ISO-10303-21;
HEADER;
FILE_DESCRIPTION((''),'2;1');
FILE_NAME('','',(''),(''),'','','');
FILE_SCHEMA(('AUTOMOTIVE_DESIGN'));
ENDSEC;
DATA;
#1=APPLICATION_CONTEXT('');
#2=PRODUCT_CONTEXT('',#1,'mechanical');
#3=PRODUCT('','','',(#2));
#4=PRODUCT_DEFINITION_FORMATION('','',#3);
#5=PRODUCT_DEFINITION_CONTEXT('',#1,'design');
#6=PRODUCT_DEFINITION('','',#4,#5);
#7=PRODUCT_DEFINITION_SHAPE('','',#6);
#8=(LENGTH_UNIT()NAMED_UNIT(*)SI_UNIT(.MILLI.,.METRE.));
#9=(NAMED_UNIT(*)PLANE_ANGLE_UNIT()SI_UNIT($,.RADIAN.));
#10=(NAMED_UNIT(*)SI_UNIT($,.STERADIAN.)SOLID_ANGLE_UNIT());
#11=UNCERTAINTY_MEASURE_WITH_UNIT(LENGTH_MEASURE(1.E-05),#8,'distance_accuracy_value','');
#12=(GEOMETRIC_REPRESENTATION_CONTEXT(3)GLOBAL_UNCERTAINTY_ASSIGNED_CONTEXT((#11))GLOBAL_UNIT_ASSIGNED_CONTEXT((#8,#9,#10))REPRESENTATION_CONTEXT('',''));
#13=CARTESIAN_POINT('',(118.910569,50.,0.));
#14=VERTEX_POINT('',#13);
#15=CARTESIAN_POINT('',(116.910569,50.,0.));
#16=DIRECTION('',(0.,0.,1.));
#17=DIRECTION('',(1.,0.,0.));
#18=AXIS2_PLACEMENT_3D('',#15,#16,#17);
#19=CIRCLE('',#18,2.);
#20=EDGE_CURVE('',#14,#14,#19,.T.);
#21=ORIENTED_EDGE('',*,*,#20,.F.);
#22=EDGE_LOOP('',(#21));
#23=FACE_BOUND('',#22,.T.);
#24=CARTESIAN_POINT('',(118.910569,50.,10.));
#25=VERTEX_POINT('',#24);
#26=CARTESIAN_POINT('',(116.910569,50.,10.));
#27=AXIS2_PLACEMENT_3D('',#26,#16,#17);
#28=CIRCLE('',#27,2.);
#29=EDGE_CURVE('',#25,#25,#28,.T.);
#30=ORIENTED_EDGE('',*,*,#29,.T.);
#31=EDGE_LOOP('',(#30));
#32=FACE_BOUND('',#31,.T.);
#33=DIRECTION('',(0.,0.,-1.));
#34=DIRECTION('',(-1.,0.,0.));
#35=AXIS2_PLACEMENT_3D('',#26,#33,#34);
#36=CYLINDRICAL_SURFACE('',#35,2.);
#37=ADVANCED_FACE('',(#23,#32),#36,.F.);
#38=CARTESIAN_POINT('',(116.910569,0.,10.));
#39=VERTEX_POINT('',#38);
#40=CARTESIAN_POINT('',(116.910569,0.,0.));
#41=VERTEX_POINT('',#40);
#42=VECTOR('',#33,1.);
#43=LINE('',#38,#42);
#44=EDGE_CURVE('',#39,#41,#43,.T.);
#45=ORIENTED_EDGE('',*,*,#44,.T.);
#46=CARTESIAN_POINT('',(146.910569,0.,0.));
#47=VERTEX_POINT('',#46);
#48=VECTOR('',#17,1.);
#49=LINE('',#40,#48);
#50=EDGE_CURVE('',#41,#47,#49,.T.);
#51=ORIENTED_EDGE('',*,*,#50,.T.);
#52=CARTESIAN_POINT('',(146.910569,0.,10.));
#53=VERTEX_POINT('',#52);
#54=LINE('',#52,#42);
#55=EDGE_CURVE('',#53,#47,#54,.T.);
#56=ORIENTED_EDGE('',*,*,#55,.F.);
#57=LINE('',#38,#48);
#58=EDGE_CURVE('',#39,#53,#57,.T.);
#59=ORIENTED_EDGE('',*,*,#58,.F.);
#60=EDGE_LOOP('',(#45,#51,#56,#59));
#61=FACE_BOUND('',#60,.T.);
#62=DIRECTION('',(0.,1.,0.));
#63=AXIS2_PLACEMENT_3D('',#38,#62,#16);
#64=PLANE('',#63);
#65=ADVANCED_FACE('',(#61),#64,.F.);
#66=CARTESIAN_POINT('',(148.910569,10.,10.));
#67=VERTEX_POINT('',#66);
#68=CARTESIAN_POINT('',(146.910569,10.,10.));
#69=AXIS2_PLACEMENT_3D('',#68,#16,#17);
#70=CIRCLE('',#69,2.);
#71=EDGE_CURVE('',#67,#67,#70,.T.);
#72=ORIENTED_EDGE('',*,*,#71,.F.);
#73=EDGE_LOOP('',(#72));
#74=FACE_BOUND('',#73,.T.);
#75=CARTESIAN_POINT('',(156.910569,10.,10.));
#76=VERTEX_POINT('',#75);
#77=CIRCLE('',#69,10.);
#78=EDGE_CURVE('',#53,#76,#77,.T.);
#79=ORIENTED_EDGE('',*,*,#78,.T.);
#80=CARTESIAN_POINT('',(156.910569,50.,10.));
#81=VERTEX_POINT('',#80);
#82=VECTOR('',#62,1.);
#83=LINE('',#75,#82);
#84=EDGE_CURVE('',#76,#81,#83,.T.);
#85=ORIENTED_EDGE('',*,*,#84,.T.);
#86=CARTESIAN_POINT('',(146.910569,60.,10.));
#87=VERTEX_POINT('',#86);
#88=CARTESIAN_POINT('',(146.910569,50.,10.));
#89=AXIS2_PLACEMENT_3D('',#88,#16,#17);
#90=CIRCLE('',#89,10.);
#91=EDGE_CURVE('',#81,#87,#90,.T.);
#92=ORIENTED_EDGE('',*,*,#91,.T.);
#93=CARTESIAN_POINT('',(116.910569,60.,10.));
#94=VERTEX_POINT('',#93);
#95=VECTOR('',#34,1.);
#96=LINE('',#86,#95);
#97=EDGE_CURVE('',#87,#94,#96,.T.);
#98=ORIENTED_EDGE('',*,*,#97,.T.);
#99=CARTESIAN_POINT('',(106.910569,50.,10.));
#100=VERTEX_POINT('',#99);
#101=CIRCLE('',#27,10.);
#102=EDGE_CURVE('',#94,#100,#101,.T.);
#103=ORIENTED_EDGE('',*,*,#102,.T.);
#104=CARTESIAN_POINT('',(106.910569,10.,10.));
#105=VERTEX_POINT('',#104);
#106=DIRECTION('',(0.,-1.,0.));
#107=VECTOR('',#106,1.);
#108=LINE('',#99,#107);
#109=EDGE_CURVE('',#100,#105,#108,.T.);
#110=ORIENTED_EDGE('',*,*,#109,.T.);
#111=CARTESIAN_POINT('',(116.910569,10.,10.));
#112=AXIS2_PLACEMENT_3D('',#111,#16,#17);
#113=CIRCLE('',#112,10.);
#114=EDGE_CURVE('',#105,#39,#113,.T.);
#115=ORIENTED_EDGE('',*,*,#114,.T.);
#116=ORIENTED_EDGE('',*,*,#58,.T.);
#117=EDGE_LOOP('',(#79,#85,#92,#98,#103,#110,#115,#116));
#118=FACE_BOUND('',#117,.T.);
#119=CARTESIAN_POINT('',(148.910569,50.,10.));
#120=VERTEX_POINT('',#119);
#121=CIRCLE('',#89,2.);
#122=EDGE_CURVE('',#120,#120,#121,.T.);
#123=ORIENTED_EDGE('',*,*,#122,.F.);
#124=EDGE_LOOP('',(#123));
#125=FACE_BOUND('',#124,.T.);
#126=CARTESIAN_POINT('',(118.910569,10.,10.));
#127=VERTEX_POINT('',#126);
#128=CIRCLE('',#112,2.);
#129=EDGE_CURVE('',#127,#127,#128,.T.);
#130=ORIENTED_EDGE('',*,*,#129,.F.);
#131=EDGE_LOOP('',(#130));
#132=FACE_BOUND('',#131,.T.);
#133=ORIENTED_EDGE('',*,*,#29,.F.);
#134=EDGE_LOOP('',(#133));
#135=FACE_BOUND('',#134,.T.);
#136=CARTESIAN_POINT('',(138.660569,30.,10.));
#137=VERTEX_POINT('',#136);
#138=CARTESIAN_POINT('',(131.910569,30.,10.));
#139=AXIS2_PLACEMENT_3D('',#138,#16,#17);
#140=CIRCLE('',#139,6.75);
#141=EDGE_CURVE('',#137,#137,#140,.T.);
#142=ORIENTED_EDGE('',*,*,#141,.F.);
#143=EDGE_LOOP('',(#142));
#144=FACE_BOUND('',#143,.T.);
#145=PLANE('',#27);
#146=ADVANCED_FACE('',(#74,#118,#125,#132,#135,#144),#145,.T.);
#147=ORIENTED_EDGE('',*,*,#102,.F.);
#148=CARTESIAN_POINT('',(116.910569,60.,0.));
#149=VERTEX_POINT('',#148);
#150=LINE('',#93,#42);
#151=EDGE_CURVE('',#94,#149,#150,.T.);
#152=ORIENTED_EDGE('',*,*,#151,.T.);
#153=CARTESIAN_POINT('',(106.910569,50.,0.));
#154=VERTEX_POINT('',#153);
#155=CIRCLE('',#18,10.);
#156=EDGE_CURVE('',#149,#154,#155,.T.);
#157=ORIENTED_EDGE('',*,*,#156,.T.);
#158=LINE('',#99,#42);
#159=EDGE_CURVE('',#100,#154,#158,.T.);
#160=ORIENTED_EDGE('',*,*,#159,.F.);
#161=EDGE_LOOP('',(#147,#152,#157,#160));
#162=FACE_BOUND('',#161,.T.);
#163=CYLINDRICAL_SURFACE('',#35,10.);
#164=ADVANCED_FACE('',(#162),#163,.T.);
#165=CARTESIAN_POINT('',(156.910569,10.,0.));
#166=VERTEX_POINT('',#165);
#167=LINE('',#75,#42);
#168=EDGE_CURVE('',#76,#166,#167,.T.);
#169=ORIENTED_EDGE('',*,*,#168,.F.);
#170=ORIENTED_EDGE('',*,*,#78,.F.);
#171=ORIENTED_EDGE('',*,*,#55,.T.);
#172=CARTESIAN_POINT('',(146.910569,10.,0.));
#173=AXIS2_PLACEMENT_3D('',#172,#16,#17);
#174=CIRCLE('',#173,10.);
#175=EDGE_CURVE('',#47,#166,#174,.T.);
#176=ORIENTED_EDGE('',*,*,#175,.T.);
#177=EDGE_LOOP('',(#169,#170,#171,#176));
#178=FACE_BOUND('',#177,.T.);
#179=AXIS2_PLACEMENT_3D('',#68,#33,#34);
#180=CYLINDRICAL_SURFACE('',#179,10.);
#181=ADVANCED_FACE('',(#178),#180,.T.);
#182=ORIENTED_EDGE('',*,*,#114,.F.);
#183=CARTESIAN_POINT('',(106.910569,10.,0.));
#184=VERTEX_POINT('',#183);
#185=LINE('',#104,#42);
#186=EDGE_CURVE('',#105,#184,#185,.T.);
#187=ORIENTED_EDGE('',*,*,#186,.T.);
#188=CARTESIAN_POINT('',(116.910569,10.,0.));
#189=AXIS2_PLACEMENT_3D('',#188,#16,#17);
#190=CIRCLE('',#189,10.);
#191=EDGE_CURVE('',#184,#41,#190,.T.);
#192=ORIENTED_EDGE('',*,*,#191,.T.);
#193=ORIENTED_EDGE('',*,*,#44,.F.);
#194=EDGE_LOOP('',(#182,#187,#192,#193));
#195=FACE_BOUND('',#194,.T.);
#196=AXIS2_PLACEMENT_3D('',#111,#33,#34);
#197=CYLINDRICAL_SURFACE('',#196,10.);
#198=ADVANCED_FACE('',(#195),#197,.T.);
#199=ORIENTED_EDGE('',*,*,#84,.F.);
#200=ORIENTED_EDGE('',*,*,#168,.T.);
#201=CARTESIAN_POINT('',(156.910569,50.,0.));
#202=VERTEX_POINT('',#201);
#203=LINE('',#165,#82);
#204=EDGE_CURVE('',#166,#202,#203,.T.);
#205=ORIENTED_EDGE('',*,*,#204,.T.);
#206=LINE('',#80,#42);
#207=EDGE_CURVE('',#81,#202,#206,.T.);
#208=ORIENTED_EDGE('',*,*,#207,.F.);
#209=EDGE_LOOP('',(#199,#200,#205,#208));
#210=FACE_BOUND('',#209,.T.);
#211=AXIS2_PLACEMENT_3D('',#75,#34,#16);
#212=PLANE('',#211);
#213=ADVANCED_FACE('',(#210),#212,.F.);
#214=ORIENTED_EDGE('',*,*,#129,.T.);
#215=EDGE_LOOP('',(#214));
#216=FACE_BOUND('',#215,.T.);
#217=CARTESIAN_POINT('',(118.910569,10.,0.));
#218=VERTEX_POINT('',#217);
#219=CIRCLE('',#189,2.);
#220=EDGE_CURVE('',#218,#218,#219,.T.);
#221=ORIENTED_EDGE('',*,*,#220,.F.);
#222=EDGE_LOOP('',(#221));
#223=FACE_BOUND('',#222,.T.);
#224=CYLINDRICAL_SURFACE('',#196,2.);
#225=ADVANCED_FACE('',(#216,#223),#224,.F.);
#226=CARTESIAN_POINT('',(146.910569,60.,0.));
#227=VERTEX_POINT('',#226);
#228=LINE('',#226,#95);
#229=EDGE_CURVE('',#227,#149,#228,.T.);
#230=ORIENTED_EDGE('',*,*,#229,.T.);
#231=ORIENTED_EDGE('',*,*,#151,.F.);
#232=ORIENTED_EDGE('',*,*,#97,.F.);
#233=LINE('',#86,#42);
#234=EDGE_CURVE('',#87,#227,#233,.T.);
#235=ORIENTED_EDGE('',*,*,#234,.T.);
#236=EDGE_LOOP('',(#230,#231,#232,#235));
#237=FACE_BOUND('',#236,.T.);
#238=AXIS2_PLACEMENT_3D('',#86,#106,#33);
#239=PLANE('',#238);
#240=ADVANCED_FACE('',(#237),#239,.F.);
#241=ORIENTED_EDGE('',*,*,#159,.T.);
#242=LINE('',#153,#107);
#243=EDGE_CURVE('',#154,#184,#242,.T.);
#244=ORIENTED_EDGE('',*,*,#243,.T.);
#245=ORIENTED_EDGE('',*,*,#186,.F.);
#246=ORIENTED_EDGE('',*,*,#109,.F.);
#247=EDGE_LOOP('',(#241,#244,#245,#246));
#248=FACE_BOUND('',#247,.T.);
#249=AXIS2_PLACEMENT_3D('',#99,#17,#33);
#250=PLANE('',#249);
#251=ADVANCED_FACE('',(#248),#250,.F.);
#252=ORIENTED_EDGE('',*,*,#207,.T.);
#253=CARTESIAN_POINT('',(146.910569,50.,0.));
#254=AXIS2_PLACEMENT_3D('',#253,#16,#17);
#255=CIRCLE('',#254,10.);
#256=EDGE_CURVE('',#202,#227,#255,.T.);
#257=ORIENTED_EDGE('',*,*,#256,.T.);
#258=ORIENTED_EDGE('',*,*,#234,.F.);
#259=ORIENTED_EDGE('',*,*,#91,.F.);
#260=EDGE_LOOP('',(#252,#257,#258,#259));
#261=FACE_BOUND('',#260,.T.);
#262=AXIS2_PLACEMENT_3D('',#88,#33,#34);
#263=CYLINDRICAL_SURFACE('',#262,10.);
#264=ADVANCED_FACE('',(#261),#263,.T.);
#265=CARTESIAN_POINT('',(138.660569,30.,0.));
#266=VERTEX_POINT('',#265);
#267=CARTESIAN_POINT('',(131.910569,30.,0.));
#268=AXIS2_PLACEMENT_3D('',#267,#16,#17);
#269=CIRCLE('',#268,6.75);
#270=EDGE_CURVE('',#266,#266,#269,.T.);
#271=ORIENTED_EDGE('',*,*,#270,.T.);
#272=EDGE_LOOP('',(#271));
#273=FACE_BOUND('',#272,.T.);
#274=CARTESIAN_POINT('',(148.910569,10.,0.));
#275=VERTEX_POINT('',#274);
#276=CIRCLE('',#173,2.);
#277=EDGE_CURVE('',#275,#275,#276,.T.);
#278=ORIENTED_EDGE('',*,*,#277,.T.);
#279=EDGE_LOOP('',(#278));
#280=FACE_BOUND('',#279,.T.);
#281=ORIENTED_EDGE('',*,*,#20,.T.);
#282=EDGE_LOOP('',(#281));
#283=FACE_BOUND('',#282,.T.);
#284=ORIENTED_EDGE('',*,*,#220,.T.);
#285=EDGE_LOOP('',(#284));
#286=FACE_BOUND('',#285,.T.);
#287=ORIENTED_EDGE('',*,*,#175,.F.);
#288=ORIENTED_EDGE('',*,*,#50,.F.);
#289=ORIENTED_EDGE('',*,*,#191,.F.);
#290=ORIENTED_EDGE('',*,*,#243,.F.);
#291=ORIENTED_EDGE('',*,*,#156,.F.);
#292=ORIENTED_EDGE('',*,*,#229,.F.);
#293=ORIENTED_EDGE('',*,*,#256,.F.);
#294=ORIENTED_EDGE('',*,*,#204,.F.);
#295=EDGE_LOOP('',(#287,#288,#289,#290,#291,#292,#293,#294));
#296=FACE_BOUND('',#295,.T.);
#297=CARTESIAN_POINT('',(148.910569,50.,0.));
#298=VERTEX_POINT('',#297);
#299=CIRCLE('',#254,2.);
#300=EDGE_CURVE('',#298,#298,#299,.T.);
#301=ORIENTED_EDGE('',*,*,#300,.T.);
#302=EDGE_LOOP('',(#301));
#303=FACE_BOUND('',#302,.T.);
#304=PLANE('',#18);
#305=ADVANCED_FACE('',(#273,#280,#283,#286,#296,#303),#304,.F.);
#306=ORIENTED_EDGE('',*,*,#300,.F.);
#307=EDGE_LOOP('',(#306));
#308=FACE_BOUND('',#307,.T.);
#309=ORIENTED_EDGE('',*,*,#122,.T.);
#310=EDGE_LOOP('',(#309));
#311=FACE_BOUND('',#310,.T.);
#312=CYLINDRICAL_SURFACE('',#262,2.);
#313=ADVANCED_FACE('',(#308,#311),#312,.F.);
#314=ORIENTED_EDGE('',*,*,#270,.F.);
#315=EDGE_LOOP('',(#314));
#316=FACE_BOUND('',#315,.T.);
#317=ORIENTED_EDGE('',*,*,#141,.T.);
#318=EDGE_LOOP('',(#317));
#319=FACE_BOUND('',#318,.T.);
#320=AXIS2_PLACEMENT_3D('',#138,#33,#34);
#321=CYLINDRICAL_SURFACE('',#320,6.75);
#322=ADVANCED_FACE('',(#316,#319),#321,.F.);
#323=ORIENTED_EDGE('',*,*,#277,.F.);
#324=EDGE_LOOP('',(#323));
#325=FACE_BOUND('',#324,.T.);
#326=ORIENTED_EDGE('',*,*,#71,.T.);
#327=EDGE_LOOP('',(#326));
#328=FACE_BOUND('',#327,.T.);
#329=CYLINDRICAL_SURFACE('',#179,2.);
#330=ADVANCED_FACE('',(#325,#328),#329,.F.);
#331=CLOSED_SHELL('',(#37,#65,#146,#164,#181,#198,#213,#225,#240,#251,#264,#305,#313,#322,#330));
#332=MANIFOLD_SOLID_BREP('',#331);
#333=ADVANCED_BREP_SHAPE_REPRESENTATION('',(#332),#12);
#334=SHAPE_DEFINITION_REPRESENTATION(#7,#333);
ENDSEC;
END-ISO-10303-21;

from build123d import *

# Parameters (mm, degrees)
MODEL_R             = 6.75
MODEL_R_2           = 2
BOSS_EXTRUDE1_DEPTH = 10


with BuildPart() as part:
    # Model → Boss-Extrude1 (new body)
    with BuildSketch(Plane.XY):
        with BuildLine():
            Line((106.910569106, 50), (106.910569106, 10))
            ThreePointArc((106.910569106, 10), (109.839501294, 2.928932188), (116.910569106, 0))
            Line((116.910569106, 0), (146.910569106, 0))
            ThreePointArc((146.910569106, 0), (153.981636918, 2.928932188), (156.910569106, 10))
            Line((156.910569106, 10), (156.910569106, 50))
            ThreePointArc((156.910569106, 50), (153.981636918, 57.071067812), (146.910569106, 60))
            Line((146.910569106, 60), (116.910569106, 60))
            ThreePointArc((116.910569106, 60), (109.839501294, 57.071067812), (106.910569106, 50))
        make_face()
        with Locations((131.910569106, 30)):
            Circle(MODEL_R, mode=Mode.SUBTRACT)
        with Locations((146.910569106, 10)):
            Circle(MODEL_R_2, mode=Mode.SUBTRACT)
        with Locations((146.910569106, 50)):
            Circle(MODEL_R_2, mode=Mode.SUBTRACT)
        with Locations((116.910569106, 50)):
            Circle(MODEL_R_2, mode=Mode.SUBTRACT)
        with Locations((116.910569106, 10)):
            Circle(MODEL_R_2, mode=Mode.SUBTRACT)
    extrude(amount=BOSS_EXTRUDE1_DEPTH)


solid = part.part
